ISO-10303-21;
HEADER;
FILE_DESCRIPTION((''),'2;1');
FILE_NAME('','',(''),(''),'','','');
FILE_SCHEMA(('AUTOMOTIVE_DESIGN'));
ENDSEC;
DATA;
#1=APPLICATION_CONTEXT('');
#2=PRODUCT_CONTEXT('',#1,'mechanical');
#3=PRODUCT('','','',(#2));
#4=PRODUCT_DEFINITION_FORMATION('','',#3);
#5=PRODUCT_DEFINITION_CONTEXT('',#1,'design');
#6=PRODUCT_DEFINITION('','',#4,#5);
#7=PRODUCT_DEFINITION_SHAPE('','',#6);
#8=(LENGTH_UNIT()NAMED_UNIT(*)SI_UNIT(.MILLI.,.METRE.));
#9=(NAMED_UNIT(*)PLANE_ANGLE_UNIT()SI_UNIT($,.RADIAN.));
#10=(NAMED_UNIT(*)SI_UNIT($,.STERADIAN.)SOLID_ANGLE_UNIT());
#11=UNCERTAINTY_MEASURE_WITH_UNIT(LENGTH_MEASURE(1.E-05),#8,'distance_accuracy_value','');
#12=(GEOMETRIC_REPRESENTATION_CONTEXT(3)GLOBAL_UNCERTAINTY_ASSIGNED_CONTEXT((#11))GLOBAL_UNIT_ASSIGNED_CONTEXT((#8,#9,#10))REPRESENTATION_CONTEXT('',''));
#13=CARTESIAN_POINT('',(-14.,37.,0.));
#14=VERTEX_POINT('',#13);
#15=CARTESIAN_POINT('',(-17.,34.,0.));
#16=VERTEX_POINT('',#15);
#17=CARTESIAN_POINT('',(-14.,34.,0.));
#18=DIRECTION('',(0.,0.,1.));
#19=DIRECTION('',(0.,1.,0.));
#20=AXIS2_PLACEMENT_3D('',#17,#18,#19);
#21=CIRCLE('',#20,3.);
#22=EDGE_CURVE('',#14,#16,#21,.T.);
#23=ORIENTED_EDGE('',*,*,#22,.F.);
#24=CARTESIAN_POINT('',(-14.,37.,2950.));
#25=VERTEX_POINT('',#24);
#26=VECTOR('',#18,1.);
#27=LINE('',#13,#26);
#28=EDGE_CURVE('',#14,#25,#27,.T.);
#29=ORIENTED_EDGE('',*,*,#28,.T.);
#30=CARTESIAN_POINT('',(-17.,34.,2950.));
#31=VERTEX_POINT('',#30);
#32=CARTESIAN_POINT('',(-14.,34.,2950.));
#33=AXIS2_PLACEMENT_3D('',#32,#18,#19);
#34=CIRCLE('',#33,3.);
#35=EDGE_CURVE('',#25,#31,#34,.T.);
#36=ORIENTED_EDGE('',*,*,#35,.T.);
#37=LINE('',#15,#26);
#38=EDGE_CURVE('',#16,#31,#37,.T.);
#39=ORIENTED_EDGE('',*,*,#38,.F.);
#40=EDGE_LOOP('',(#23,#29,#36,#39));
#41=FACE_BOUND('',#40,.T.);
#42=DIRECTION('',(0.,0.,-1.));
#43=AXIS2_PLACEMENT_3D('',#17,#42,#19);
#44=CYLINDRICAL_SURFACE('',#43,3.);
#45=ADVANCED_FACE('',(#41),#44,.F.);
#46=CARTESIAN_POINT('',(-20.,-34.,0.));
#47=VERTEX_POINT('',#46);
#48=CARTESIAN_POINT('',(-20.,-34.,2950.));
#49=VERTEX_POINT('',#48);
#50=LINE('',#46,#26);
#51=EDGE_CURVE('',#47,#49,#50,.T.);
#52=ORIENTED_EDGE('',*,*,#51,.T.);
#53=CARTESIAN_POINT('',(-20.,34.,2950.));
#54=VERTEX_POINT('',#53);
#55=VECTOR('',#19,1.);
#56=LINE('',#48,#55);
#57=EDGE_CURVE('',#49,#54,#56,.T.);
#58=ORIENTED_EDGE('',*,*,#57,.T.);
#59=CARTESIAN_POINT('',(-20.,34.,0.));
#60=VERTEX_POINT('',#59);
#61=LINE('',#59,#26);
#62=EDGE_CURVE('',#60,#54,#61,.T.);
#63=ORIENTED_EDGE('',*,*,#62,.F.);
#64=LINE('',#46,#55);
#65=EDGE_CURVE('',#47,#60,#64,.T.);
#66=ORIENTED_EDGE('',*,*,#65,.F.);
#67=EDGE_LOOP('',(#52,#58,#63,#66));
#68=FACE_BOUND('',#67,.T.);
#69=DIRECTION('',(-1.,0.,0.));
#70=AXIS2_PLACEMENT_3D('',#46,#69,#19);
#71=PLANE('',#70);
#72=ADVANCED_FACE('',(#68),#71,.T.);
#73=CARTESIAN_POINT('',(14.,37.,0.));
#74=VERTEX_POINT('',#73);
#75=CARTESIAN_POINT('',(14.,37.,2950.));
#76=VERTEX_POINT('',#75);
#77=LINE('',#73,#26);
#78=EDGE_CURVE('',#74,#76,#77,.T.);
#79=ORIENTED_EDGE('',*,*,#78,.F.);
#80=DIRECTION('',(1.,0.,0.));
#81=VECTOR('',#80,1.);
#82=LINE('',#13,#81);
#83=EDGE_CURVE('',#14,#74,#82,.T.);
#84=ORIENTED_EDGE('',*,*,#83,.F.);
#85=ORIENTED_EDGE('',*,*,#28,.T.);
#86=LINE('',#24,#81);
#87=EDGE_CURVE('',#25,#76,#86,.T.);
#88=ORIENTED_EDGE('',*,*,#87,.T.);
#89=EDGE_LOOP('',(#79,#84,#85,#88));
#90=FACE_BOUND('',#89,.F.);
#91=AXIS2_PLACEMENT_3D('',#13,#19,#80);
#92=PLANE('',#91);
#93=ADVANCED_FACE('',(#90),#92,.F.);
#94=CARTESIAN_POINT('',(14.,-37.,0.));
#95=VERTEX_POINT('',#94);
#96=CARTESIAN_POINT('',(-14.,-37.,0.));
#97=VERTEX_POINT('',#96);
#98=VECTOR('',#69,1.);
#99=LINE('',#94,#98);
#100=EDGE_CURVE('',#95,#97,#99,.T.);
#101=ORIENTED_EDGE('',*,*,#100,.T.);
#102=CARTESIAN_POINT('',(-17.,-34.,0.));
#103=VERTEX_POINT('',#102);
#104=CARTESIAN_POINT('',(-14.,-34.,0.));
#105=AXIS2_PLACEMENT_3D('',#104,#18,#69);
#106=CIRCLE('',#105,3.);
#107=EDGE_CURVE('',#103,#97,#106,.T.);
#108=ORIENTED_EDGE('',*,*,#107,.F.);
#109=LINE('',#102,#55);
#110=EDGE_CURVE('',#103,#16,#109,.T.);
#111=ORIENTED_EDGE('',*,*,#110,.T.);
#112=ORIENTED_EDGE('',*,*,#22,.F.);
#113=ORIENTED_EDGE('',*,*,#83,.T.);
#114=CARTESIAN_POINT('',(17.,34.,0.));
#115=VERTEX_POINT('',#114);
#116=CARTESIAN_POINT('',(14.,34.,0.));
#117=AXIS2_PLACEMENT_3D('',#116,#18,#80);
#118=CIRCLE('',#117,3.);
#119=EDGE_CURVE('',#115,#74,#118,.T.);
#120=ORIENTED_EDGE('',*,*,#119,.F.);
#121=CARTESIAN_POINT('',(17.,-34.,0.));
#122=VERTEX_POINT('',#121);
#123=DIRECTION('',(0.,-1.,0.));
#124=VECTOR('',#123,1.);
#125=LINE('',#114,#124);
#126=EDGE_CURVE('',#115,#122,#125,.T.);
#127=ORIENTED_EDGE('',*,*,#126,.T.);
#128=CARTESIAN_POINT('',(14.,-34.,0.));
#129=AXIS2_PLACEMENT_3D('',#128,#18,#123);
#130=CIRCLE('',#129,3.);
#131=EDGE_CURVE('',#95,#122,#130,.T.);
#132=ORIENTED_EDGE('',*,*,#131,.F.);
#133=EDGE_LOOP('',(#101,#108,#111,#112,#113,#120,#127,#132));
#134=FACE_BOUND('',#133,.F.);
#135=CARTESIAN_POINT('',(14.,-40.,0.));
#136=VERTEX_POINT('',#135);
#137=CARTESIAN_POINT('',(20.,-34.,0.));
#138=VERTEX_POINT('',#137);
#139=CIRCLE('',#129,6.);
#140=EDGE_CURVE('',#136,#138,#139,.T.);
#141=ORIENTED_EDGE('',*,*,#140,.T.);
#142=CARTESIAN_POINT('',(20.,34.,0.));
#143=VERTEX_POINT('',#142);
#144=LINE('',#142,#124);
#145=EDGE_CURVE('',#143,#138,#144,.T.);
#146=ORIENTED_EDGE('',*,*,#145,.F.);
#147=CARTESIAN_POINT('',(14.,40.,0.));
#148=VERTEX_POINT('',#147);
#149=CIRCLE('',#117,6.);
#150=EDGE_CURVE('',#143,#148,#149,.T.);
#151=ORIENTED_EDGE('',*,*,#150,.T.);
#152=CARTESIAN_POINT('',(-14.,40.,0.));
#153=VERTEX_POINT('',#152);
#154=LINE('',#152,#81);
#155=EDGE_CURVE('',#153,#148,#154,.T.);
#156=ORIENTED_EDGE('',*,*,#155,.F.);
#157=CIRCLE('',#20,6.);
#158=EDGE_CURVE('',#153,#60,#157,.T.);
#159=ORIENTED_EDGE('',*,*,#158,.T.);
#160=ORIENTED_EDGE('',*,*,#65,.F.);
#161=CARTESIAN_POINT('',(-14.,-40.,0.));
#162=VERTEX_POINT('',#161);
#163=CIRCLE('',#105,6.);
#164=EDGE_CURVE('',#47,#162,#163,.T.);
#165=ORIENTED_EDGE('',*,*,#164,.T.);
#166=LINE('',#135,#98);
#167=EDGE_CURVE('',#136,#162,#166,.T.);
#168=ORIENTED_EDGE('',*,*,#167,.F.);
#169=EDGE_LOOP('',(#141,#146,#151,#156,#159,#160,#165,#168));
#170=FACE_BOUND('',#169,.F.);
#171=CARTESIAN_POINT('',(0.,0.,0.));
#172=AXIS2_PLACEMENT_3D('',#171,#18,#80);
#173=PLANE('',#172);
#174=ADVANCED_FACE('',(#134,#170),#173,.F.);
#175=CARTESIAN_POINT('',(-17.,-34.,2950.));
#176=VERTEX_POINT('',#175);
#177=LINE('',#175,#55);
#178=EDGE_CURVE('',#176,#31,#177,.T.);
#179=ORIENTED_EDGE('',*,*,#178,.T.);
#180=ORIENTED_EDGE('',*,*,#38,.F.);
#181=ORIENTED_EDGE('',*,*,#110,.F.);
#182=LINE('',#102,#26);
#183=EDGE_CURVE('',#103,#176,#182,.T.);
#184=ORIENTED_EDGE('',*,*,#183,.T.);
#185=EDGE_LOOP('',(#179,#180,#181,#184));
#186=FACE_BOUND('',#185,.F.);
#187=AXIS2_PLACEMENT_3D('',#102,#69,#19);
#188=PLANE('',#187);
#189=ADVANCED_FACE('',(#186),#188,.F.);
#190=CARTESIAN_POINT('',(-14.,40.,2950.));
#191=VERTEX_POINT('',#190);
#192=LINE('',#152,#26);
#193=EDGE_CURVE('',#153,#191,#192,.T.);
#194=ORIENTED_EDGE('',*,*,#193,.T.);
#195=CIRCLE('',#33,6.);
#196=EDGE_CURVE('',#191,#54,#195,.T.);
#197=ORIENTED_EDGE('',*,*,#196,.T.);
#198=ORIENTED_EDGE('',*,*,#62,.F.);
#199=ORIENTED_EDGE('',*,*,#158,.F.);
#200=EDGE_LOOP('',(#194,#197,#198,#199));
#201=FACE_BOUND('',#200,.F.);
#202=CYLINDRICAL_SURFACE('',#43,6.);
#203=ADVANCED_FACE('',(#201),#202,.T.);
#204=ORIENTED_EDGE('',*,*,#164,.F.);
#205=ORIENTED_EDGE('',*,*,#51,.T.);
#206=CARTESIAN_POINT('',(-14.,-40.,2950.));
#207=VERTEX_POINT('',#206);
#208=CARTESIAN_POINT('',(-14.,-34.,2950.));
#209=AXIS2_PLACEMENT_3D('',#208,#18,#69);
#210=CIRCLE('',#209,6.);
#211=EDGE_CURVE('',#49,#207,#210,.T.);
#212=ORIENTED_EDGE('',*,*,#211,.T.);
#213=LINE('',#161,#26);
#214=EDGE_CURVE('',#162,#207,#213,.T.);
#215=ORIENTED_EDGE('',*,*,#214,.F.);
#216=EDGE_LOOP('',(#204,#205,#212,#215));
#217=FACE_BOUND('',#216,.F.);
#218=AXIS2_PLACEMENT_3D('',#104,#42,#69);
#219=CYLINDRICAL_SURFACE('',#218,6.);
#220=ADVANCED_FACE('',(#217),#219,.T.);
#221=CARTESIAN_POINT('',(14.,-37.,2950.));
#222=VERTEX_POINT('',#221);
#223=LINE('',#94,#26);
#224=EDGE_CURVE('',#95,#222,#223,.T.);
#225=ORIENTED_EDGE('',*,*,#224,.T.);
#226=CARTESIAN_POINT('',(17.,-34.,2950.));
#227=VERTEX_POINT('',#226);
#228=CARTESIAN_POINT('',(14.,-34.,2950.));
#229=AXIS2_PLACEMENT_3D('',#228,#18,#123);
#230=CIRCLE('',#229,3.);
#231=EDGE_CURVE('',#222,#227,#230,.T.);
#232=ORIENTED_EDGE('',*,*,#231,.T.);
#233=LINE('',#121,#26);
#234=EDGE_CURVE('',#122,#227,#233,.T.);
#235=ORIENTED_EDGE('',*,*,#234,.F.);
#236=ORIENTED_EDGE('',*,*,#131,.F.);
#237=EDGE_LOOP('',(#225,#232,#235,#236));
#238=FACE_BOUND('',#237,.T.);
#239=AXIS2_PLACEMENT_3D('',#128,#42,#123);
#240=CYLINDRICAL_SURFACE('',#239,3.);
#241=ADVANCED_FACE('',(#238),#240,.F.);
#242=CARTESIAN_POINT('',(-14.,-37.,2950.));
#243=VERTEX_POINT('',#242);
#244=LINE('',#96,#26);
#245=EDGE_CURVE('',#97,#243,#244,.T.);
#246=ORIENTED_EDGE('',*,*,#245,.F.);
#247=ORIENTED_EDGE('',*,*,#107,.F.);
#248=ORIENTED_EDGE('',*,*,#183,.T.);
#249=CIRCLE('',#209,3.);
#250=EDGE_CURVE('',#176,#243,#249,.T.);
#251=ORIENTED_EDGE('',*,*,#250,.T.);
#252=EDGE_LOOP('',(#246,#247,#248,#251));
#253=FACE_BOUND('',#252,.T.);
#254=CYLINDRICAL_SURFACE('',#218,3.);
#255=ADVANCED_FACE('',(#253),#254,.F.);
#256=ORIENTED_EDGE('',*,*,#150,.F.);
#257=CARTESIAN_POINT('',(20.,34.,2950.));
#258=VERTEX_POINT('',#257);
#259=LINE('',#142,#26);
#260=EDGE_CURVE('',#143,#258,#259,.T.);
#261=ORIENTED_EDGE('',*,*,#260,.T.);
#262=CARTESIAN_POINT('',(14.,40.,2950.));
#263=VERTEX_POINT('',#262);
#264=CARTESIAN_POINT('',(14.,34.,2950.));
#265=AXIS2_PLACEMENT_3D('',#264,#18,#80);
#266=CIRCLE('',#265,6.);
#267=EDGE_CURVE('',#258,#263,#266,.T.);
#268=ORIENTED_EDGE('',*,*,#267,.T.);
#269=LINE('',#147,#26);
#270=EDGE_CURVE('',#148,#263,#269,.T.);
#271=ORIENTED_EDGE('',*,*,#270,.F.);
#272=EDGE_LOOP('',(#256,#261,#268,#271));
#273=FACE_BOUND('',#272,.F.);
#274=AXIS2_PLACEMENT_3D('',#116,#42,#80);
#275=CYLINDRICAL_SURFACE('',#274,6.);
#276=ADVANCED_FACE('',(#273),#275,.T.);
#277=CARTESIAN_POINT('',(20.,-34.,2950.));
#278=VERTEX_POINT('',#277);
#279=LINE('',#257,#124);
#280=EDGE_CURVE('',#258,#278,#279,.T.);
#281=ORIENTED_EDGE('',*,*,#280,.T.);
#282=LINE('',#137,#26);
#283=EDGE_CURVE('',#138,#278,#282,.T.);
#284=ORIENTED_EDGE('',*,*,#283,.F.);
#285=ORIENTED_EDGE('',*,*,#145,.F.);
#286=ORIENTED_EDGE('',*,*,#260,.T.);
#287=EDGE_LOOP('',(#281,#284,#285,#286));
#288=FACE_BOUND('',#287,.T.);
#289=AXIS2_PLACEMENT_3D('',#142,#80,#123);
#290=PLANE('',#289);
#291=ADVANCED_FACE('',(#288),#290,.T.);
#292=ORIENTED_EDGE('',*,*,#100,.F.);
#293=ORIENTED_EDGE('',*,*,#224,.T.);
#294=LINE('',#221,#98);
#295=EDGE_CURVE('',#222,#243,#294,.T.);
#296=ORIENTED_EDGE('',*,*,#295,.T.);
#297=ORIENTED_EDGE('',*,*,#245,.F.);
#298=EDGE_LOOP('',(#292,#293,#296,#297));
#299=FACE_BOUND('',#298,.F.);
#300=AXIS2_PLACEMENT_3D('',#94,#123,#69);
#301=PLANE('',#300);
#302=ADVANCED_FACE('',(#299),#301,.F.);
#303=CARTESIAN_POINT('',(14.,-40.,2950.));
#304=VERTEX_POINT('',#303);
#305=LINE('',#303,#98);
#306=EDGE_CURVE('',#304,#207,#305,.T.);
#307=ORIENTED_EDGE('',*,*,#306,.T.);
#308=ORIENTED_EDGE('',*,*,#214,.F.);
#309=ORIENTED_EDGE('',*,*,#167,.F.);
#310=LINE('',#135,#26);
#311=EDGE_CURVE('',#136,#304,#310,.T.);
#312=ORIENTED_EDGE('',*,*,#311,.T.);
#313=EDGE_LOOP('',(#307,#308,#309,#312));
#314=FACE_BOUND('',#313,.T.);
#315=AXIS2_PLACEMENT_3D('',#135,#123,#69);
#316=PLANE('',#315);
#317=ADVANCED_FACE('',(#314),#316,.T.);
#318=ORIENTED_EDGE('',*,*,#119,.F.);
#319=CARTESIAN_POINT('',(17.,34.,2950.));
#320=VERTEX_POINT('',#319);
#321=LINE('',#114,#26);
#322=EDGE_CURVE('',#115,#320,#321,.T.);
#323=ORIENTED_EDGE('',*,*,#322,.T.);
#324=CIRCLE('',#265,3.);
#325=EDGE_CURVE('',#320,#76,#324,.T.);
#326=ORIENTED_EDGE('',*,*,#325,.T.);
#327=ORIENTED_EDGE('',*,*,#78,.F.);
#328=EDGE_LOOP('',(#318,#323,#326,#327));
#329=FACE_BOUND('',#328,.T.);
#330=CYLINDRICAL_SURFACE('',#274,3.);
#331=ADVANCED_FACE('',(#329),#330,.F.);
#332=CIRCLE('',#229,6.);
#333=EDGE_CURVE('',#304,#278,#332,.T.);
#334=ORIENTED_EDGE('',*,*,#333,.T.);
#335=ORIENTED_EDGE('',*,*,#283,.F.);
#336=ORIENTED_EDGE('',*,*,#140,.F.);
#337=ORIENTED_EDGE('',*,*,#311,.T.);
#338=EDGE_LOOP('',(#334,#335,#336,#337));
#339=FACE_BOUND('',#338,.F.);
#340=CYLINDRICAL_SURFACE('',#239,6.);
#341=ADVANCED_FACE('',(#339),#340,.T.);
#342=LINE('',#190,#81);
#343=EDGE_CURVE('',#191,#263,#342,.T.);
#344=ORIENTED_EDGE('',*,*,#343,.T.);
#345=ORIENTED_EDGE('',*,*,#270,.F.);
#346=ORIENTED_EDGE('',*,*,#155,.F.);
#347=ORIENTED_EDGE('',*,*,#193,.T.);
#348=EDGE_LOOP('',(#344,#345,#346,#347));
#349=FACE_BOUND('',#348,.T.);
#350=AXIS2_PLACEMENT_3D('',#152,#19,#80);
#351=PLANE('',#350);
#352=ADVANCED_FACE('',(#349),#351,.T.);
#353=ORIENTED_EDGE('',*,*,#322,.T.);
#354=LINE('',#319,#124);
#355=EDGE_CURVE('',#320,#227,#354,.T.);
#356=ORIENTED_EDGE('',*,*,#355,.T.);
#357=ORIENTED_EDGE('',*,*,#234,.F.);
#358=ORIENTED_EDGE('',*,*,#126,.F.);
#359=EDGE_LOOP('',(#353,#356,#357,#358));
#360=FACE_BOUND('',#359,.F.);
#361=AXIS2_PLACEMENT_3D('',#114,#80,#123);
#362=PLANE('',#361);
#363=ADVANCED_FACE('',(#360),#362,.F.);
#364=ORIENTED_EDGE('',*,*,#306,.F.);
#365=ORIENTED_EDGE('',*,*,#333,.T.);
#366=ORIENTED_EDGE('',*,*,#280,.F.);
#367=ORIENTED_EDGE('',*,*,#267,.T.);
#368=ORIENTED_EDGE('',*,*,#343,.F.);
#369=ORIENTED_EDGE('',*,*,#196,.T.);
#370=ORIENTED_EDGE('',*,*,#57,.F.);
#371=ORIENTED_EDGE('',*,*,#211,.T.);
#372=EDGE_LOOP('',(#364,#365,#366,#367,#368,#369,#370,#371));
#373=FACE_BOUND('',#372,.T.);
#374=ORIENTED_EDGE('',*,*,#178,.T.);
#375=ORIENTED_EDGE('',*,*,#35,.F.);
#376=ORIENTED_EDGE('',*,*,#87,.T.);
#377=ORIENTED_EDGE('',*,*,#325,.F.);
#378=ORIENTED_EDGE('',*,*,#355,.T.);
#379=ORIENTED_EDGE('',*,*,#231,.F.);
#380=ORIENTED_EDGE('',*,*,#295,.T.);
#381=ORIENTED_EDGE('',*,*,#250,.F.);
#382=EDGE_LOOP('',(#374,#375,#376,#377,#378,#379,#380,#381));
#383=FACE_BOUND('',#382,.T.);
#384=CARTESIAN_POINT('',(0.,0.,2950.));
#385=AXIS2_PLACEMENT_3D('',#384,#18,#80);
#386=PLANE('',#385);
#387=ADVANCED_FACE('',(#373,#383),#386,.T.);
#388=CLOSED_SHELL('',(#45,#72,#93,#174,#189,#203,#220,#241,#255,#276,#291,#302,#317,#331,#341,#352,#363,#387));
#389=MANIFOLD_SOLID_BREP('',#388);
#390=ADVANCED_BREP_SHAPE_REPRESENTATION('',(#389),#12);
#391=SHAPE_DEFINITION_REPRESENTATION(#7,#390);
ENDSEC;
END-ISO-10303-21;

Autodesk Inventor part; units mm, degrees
ref_plane "YZ Plane" through (0, 0, 0) normal (1, 0, 0) x (0, 1, 0)
ref_plane "Start Plane" through (0, 0, 0) normal (0, 0, 1) x (1, 0, 0)
ref_plane "End Plane" through (0, 0, 2950) normal (0, 0, 1) x (1, 0, 0)
sketch "Sketch" plane through (0, 0, 0) normal (0, 0, 1) x (1, 0, 0)
  line L0 (-20, -34) -> (-20, 34)
  line L1 (-14, 40) -> (14, 40)
  line L2 (20, 34) -> (20, -34)
  line L3 (14, -40) -> (-14, -40)
  arc A0 (-20, -34) -> (-14, -40) centre (-14, -34) ccw
  arc A1 (20, 34) -> (14, 40) centre (14, 34) ccw
  arc A2 (-14, 40) -> (-20, 34) centre (-14, 34) ccw
  arc A3 (14, -40) -> (20, -34) centre (14, -34) ccw
  arc A4 (-14, 37) -> (-17, 34) centre (-14, 34) ccw
  line L4 (-14, 37) -> (14, 37)
  arc A5 (17, 34) -> (14, 37) centre (14, 34) ccw
  line L5 (17, 34) -> (17, -34)
  arc A6 (14, -37) -> (17, -34) centre (14, -34) ccw
  line L6 (14, -37) -> (-14, -37)
  arc A7 (-17, -34) -> (-14, -37) centre (-14, -34) ccw
  line L7 (-17, -34) -> (-17, 34)
  line L8 (0, 57.7397) -> (0, -57.7397) construction
  line L9 (-29.7397, 0) -> (29.7397, 0) construction
  dimension "d7" = 6
  dimension "d9" = 40
  dimension "d11" = 80
  dimension "d12" = 3
  dimension "d15" = 20
  dimension "d16" = 40
extrude "Body" add sketch "Sketch" along normal up to surface (2950 mm away) from surface at 0
sketch "Sketch3" plane through (0, 0, 0) normal (0, 0, 1) x (1, 0, 0)
  line L0 (0, 0) -> (10, 0)
ref_plane "Work Plane3" through (0, 0, 0) normal (0, -1, 0) x (1, 0, 0)
sketch "Sketch4" plane through (0, 0, 0) normal (0, -1, 0) x (1, 0, 0)
  line L0 (-2, 0) -> (12, 0) projected
  line L1 (-2, 2950) -> (12, 2950) projected
  dimension "d18" = 2950
equation "\"d7\" = G_IR"
equation "\"d9\" = G_W"
equation "\"d11\" = G_H"
equation "\"d12\" = G_T"
equation "\"d15\" = 0.5 * d9"
equation "\"d16\" = 0.5 * d11"
equation "\"d3\" = G_L"
equation "\"G_W\" = 40"
equation "\"G_H\" = 80"
equation "\"G_T\" = 3"
equation "\"G_IR\" = 6"
equation "\"G_L\" = d18"
equation "\"G_OFFSET_START\" = 0"
equation "\"G_OFFSET_END\" = 0"
properties part number "ISO 10799-2 - 80x40x3 - 2950" material "Steel, Mild"
